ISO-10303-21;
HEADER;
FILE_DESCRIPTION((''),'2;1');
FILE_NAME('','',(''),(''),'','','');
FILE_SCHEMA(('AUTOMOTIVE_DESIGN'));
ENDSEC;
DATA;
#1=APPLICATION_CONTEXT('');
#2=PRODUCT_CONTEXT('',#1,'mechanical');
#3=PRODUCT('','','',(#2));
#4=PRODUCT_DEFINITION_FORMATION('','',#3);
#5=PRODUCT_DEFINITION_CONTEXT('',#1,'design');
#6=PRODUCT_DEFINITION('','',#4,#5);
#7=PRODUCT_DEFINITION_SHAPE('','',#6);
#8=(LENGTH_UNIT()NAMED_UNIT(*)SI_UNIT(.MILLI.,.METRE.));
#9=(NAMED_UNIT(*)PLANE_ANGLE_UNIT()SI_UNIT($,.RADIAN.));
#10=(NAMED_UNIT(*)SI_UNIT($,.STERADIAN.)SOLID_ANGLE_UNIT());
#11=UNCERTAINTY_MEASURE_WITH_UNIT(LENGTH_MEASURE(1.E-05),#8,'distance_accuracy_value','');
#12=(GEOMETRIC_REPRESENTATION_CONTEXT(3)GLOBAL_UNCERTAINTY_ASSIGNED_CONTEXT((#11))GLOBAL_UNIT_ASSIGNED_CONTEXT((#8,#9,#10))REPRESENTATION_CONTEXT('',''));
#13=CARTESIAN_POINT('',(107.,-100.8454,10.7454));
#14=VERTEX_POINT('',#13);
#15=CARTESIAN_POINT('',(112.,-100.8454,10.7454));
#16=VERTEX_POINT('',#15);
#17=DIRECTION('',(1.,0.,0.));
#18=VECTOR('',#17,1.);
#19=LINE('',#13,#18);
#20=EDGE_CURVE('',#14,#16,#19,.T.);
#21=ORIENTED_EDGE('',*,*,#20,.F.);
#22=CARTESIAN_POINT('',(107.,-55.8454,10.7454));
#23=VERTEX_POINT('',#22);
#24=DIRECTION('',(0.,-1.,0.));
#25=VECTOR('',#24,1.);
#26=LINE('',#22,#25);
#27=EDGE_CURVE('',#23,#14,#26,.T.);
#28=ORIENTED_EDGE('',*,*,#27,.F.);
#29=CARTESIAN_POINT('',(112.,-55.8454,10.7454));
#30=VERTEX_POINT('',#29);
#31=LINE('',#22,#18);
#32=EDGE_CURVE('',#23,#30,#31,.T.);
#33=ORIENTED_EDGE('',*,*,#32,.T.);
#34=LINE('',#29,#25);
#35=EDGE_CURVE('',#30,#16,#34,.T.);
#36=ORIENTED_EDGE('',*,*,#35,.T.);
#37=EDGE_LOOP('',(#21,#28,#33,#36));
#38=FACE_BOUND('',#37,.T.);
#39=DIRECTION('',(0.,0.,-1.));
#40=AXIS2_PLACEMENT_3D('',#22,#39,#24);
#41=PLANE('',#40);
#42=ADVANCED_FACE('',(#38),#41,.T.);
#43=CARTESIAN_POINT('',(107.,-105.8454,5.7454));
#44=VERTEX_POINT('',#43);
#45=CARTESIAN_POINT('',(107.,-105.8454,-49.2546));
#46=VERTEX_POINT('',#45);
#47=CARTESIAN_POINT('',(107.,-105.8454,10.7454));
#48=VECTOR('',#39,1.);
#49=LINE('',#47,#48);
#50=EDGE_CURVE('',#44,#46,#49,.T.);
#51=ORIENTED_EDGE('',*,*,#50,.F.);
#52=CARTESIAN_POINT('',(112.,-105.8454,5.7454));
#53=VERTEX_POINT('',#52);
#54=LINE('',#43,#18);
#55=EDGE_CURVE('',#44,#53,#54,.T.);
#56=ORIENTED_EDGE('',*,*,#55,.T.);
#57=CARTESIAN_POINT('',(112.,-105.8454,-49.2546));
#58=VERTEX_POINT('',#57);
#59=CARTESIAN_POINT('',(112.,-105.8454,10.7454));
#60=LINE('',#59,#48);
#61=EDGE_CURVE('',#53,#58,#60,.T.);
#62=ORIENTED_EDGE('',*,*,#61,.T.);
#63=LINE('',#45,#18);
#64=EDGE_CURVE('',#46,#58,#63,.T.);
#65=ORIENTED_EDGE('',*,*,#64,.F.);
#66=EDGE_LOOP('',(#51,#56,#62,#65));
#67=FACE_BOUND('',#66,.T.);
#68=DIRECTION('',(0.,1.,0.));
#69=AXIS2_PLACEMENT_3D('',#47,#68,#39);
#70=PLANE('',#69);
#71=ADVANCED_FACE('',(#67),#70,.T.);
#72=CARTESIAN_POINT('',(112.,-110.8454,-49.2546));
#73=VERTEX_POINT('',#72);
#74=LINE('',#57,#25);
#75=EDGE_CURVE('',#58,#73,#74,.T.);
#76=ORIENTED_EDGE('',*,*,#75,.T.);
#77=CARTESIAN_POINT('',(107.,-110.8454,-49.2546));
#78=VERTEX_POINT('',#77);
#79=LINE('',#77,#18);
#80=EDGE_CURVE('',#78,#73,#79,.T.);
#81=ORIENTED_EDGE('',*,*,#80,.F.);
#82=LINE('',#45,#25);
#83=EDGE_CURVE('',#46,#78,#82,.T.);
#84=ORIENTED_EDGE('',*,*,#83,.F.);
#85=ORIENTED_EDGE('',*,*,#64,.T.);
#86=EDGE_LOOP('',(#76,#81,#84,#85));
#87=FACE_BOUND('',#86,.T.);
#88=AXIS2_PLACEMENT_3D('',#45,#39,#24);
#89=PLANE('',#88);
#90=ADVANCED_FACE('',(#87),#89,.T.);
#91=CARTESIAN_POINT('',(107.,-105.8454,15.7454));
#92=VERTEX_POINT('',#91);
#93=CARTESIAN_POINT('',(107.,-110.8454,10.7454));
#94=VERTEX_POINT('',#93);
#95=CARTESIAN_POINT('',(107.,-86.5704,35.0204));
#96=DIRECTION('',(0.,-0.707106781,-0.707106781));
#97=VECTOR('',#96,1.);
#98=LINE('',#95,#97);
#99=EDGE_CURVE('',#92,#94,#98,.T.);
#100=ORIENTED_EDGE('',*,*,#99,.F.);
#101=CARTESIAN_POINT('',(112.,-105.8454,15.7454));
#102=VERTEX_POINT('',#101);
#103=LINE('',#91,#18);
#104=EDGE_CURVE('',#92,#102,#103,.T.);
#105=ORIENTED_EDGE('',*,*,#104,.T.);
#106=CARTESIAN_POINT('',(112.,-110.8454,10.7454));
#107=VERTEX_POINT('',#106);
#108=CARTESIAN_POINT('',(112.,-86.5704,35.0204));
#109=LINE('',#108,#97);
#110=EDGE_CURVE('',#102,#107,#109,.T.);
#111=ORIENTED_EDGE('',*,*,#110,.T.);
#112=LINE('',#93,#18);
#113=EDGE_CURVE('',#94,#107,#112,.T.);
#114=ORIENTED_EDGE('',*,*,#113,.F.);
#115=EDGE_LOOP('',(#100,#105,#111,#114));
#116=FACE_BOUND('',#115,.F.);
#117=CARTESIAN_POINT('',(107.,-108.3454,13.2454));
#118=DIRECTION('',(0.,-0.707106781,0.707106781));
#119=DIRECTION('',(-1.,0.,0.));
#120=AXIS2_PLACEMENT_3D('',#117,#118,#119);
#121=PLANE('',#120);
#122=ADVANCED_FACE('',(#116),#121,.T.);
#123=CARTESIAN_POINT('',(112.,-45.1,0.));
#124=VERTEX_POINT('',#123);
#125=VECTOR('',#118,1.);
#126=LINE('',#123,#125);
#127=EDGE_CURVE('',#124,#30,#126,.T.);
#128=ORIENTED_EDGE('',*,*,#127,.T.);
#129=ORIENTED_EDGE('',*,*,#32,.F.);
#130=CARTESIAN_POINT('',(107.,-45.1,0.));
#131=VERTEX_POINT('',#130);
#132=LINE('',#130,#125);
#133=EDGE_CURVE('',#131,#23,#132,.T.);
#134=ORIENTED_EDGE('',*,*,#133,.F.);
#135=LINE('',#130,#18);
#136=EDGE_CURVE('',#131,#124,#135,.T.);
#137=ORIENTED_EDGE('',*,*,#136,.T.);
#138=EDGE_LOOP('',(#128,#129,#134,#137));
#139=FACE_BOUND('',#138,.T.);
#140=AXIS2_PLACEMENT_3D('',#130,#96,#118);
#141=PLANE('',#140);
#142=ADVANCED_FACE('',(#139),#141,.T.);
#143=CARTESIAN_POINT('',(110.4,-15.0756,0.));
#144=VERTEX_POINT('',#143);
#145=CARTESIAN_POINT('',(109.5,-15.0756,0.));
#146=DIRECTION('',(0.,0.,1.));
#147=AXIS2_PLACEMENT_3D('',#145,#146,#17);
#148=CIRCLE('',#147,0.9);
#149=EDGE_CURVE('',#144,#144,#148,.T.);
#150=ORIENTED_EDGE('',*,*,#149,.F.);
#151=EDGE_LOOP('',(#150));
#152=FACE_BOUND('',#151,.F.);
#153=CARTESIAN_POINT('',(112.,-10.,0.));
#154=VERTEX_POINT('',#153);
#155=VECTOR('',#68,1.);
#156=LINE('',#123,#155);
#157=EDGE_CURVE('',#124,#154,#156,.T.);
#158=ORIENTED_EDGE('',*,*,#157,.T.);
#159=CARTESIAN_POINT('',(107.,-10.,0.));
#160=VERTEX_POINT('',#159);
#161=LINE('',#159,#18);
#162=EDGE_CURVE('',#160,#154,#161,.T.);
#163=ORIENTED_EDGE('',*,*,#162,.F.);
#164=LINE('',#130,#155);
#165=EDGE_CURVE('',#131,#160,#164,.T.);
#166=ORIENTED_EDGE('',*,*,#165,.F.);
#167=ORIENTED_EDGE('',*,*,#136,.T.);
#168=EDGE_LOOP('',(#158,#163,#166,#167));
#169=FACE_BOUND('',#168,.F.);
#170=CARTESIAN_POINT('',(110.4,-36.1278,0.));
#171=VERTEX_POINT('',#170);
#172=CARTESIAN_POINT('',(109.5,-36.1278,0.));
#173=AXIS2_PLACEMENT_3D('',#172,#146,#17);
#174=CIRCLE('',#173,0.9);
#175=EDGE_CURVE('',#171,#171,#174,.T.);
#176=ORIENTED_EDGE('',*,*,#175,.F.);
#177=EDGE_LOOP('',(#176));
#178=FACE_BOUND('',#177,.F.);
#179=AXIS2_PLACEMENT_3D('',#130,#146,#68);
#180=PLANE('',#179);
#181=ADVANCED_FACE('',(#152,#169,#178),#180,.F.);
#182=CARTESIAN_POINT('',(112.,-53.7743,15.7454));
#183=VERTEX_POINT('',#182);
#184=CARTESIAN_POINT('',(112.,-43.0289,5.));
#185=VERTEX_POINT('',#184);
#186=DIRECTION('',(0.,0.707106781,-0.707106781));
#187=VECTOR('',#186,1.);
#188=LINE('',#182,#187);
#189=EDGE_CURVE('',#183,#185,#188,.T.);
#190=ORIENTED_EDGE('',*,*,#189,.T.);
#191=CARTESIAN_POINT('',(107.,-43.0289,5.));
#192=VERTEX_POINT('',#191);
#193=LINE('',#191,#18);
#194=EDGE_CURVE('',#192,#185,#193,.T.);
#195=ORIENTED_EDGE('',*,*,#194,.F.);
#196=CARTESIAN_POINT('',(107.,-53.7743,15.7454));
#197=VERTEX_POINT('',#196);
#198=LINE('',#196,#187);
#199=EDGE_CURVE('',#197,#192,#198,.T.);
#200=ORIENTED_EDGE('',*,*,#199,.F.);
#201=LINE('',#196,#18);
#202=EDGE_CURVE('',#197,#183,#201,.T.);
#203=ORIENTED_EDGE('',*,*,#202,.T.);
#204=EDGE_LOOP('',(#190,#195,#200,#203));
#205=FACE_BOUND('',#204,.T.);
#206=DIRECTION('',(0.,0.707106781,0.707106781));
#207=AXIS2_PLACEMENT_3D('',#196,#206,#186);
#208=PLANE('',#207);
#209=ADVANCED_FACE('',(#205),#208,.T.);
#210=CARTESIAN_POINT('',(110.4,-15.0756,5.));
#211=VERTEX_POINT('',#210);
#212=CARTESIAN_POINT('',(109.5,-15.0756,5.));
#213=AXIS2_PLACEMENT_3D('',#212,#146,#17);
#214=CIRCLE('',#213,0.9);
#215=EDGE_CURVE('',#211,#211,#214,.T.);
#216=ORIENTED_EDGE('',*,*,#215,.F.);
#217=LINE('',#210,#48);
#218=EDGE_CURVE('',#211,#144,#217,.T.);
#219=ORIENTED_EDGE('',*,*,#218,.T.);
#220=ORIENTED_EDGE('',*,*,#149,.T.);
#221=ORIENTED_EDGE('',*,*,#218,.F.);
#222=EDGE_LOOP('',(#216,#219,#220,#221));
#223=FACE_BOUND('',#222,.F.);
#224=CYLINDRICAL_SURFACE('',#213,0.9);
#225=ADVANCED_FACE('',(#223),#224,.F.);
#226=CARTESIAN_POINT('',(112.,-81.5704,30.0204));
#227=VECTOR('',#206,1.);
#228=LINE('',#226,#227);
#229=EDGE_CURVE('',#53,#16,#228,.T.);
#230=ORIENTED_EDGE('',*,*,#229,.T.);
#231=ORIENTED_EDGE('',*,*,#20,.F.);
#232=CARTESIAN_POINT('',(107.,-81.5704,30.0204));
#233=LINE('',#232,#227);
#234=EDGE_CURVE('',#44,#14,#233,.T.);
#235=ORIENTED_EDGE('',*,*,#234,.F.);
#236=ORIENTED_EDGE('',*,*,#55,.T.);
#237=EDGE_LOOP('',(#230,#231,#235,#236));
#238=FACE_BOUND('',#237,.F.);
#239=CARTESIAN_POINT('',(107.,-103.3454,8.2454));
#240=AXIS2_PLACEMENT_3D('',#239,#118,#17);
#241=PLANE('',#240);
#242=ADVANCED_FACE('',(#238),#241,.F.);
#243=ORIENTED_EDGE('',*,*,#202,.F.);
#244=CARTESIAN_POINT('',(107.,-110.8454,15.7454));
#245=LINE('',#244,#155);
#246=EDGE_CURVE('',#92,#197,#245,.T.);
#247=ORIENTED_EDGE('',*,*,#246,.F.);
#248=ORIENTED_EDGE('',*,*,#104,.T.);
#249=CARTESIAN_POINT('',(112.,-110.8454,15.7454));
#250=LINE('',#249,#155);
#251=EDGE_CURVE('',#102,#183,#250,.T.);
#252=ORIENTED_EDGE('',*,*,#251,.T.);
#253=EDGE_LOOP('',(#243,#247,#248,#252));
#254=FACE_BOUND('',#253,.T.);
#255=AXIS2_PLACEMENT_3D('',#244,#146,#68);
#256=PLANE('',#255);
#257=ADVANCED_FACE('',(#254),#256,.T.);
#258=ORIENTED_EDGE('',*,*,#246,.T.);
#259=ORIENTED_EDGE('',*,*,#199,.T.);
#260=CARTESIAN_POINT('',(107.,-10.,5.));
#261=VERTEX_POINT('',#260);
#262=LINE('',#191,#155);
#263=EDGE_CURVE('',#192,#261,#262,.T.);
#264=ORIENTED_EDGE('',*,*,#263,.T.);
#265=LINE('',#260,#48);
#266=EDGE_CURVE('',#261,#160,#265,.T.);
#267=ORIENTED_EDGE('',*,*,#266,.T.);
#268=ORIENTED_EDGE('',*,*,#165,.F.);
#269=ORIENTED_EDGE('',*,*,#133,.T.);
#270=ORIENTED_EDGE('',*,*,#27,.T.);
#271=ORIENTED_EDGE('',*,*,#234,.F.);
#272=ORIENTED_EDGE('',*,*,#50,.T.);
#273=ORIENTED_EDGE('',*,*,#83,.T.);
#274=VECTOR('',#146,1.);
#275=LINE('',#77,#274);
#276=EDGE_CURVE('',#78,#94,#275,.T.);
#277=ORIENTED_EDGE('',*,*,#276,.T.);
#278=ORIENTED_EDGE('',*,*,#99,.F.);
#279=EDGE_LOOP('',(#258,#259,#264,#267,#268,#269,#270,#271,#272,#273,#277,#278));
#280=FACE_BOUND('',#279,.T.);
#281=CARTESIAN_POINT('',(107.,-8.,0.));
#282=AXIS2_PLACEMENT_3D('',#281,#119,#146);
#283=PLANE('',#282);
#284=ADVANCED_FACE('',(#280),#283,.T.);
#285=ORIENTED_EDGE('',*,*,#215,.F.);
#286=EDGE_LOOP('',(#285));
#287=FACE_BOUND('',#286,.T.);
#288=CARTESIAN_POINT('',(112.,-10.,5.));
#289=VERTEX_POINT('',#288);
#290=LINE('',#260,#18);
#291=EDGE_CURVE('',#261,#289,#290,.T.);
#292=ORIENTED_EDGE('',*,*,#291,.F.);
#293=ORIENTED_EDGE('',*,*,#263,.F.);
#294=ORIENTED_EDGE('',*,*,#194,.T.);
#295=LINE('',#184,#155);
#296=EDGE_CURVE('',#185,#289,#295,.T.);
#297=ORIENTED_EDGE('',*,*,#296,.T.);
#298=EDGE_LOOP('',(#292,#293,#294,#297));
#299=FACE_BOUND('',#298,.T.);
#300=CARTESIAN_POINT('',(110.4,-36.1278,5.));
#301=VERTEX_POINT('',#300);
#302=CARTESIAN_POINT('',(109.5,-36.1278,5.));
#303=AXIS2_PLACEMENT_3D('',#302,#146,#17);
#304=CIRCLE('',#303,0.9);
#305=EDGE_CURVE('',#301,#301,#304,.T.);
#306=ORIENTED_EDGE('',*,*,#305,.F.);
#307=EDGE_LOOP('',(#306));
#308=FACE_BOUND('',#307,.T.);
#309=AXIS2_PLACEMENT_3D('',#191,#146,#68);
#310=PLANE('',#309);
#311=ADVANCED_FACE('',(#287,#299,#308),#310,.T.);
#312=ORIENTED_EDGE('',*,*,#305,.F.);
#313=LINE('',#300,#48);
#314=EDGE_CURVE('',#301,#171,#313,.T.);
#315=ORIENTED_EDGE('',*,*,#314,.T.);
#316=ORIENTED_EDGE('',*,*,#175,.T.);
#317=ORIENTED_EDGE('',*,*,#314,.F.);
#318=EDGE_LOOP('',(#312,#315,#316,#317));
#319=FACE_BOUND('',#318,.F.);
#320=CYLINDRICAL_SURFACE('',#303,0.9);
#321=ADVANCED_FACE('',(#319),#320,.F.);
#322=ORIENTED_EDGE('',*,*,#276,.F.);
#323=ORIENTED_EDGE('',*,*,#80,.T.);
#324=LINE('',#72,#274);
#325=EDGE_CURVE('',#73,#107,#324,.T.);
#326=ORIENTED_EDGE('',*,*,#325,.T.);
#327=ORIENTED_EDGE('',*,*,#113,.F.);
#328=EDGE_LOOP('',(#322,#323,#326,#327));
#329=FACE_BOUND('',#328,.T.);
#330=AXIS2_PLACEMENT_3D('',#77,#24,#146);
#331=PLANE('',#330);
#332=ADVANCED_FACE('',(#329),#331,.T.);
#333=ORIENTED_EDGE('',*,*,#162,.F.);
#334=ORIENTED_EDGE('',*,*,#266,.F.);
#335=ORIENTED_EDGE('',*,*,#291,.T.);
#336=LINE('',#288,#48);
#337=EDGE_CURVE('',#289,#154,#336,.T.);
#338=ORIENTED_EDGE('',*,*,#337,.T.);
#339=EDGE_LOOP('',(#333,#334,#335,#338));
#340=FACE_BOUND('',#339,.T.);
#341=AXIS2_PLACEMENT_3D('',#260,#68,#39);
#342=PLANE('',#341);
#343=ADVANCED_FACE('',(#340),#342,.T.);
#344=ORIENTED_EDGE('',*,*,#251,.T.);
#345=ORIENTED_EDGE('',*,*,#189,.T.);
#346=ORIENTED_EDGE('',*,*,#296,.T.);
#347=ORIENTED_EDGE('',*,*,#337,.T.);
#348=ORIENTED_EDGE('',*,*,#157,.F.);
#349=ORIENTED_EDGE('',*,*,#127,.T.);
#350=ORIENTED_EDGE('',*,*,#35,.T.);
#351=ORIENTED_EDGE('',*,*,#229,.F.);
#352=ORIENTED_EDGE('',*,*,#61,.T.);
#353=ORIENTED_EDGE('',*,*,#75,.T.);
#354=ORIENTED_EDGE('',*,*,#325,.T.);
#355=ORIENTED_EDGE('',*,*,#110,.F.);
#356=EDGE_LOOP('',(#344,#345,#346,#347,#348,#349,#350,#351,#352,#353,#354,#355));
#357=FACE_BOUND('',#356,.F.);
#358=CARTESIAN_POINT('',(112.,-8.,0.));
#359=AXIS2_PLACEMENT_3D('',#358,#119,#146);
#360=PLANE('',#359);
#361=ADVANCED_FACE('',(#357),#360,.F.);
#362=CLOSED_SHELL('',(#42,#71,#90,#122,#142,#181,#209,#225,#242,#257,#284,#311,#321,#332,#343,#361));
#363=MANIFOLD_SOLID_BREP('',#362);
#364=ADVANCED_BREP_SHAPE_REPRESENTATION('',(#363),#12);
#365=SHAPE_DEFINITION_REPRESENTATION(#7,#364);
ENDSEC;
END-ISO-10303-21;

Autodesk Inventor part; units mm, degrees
ref_plane "YZ Plane" through (0, 0, 0) normal (1, 0, 0) x (0, 1, 0)
ref_plane "XZ Plane" through (0, 0, 0) normal (0, 1, 0) x (-1, 0, 0)
ref_plane "XY Plane" through (0, 0, 0) normal (0, 0, 1) x (1, 0, 0)
ref_plane "Arbeitsebene1" through (107, -8, 0) normal (-1, 0, 0) x (0, 0, 1)
sketch "Skizze1" plane through (107, -8, 0) normal (-1, 0, 0) x (0, 0, 1)
  line L0 (-4.1, -2) -> (-4.1, -37.1) projected
  line L1 (0, -2) -> (-4.1, -2) projected
  line L2 (0, -37.1) -> (0, -2) projected
  line L3 (0, -37.1) -> (-4.1, -37.1) projected
  line L4 (0, -37.1) -> (10.7454, -47.8454)
  line L5 (0, -37.1) -> (15.1963, -37.1) construction
  line L6 (10.7454, -47.8454) -> (10.7454, -97.8454)
  line L7 (10.7454, -97.8454) -> (-49.2546, -97.8454)
  line L8 (-49.2546, -97.8454) -> (-49.2546, -102.8454)
  line L9 (-49.2546, -102.8454) -> (15.7454, -102.8454)
  line L10 (15.7454, -102.8454) -> (15.7454, -45.7743)
  line L11 (15.7454, -45.7743) -> (5, -35.0289)
  line L12 (5, -35.0289) -> (5, -2)
  line L13 (5, -2) -> (0, -2)
  line L14 (0, -37.1) -> (0, -2)
  point P0 (0, 8)
  dimension "d0" = 45
  dimension "d1" = 5
  dimension "d2" = 5
  dimension "d3" = 5
  dimension "d4" = 5
  dimension "d5" = 60
  dimension "d6" = 50
extrude "Extrusion1" add sketch "Skizze1" against normal blind 5 contours L13 L12 L11 L10 L9 L8 L7 L6 L4 L2
sketch "Skizze2" plane through (107, -43.0289, 5) normal (0, 0, 1) x (1, 0, 0)
  line L0 (0, 0) -> (0, 33.0289) projected
  line L1 (0, 0) -> (5, 0) projected
  line L2 (5, 33.0289) -> (5, 0) projected
  line L3 (0, 33.0289) -> (5, 33.0289) projected
  circle A0 centre (2.5, 27.9533) radius 0.9
  circle A1 centre (2.5, 6.9011) radius 0.9
  point P0 (-107, 43.0289)
  dimension "d9" = 1.8
  dimension "d10" = 1.8
extrude "Extrusion2" cut sketch "Skizze2" against normal through all contours A0 | A1
chamfer "Fase1" distance 5 angle 45 2 edges at (109.5, -110.8454, 15.7454) (109.5, -105.8454, 10.7454)
properties part number "07_Omnivision_Lamp_arm"
